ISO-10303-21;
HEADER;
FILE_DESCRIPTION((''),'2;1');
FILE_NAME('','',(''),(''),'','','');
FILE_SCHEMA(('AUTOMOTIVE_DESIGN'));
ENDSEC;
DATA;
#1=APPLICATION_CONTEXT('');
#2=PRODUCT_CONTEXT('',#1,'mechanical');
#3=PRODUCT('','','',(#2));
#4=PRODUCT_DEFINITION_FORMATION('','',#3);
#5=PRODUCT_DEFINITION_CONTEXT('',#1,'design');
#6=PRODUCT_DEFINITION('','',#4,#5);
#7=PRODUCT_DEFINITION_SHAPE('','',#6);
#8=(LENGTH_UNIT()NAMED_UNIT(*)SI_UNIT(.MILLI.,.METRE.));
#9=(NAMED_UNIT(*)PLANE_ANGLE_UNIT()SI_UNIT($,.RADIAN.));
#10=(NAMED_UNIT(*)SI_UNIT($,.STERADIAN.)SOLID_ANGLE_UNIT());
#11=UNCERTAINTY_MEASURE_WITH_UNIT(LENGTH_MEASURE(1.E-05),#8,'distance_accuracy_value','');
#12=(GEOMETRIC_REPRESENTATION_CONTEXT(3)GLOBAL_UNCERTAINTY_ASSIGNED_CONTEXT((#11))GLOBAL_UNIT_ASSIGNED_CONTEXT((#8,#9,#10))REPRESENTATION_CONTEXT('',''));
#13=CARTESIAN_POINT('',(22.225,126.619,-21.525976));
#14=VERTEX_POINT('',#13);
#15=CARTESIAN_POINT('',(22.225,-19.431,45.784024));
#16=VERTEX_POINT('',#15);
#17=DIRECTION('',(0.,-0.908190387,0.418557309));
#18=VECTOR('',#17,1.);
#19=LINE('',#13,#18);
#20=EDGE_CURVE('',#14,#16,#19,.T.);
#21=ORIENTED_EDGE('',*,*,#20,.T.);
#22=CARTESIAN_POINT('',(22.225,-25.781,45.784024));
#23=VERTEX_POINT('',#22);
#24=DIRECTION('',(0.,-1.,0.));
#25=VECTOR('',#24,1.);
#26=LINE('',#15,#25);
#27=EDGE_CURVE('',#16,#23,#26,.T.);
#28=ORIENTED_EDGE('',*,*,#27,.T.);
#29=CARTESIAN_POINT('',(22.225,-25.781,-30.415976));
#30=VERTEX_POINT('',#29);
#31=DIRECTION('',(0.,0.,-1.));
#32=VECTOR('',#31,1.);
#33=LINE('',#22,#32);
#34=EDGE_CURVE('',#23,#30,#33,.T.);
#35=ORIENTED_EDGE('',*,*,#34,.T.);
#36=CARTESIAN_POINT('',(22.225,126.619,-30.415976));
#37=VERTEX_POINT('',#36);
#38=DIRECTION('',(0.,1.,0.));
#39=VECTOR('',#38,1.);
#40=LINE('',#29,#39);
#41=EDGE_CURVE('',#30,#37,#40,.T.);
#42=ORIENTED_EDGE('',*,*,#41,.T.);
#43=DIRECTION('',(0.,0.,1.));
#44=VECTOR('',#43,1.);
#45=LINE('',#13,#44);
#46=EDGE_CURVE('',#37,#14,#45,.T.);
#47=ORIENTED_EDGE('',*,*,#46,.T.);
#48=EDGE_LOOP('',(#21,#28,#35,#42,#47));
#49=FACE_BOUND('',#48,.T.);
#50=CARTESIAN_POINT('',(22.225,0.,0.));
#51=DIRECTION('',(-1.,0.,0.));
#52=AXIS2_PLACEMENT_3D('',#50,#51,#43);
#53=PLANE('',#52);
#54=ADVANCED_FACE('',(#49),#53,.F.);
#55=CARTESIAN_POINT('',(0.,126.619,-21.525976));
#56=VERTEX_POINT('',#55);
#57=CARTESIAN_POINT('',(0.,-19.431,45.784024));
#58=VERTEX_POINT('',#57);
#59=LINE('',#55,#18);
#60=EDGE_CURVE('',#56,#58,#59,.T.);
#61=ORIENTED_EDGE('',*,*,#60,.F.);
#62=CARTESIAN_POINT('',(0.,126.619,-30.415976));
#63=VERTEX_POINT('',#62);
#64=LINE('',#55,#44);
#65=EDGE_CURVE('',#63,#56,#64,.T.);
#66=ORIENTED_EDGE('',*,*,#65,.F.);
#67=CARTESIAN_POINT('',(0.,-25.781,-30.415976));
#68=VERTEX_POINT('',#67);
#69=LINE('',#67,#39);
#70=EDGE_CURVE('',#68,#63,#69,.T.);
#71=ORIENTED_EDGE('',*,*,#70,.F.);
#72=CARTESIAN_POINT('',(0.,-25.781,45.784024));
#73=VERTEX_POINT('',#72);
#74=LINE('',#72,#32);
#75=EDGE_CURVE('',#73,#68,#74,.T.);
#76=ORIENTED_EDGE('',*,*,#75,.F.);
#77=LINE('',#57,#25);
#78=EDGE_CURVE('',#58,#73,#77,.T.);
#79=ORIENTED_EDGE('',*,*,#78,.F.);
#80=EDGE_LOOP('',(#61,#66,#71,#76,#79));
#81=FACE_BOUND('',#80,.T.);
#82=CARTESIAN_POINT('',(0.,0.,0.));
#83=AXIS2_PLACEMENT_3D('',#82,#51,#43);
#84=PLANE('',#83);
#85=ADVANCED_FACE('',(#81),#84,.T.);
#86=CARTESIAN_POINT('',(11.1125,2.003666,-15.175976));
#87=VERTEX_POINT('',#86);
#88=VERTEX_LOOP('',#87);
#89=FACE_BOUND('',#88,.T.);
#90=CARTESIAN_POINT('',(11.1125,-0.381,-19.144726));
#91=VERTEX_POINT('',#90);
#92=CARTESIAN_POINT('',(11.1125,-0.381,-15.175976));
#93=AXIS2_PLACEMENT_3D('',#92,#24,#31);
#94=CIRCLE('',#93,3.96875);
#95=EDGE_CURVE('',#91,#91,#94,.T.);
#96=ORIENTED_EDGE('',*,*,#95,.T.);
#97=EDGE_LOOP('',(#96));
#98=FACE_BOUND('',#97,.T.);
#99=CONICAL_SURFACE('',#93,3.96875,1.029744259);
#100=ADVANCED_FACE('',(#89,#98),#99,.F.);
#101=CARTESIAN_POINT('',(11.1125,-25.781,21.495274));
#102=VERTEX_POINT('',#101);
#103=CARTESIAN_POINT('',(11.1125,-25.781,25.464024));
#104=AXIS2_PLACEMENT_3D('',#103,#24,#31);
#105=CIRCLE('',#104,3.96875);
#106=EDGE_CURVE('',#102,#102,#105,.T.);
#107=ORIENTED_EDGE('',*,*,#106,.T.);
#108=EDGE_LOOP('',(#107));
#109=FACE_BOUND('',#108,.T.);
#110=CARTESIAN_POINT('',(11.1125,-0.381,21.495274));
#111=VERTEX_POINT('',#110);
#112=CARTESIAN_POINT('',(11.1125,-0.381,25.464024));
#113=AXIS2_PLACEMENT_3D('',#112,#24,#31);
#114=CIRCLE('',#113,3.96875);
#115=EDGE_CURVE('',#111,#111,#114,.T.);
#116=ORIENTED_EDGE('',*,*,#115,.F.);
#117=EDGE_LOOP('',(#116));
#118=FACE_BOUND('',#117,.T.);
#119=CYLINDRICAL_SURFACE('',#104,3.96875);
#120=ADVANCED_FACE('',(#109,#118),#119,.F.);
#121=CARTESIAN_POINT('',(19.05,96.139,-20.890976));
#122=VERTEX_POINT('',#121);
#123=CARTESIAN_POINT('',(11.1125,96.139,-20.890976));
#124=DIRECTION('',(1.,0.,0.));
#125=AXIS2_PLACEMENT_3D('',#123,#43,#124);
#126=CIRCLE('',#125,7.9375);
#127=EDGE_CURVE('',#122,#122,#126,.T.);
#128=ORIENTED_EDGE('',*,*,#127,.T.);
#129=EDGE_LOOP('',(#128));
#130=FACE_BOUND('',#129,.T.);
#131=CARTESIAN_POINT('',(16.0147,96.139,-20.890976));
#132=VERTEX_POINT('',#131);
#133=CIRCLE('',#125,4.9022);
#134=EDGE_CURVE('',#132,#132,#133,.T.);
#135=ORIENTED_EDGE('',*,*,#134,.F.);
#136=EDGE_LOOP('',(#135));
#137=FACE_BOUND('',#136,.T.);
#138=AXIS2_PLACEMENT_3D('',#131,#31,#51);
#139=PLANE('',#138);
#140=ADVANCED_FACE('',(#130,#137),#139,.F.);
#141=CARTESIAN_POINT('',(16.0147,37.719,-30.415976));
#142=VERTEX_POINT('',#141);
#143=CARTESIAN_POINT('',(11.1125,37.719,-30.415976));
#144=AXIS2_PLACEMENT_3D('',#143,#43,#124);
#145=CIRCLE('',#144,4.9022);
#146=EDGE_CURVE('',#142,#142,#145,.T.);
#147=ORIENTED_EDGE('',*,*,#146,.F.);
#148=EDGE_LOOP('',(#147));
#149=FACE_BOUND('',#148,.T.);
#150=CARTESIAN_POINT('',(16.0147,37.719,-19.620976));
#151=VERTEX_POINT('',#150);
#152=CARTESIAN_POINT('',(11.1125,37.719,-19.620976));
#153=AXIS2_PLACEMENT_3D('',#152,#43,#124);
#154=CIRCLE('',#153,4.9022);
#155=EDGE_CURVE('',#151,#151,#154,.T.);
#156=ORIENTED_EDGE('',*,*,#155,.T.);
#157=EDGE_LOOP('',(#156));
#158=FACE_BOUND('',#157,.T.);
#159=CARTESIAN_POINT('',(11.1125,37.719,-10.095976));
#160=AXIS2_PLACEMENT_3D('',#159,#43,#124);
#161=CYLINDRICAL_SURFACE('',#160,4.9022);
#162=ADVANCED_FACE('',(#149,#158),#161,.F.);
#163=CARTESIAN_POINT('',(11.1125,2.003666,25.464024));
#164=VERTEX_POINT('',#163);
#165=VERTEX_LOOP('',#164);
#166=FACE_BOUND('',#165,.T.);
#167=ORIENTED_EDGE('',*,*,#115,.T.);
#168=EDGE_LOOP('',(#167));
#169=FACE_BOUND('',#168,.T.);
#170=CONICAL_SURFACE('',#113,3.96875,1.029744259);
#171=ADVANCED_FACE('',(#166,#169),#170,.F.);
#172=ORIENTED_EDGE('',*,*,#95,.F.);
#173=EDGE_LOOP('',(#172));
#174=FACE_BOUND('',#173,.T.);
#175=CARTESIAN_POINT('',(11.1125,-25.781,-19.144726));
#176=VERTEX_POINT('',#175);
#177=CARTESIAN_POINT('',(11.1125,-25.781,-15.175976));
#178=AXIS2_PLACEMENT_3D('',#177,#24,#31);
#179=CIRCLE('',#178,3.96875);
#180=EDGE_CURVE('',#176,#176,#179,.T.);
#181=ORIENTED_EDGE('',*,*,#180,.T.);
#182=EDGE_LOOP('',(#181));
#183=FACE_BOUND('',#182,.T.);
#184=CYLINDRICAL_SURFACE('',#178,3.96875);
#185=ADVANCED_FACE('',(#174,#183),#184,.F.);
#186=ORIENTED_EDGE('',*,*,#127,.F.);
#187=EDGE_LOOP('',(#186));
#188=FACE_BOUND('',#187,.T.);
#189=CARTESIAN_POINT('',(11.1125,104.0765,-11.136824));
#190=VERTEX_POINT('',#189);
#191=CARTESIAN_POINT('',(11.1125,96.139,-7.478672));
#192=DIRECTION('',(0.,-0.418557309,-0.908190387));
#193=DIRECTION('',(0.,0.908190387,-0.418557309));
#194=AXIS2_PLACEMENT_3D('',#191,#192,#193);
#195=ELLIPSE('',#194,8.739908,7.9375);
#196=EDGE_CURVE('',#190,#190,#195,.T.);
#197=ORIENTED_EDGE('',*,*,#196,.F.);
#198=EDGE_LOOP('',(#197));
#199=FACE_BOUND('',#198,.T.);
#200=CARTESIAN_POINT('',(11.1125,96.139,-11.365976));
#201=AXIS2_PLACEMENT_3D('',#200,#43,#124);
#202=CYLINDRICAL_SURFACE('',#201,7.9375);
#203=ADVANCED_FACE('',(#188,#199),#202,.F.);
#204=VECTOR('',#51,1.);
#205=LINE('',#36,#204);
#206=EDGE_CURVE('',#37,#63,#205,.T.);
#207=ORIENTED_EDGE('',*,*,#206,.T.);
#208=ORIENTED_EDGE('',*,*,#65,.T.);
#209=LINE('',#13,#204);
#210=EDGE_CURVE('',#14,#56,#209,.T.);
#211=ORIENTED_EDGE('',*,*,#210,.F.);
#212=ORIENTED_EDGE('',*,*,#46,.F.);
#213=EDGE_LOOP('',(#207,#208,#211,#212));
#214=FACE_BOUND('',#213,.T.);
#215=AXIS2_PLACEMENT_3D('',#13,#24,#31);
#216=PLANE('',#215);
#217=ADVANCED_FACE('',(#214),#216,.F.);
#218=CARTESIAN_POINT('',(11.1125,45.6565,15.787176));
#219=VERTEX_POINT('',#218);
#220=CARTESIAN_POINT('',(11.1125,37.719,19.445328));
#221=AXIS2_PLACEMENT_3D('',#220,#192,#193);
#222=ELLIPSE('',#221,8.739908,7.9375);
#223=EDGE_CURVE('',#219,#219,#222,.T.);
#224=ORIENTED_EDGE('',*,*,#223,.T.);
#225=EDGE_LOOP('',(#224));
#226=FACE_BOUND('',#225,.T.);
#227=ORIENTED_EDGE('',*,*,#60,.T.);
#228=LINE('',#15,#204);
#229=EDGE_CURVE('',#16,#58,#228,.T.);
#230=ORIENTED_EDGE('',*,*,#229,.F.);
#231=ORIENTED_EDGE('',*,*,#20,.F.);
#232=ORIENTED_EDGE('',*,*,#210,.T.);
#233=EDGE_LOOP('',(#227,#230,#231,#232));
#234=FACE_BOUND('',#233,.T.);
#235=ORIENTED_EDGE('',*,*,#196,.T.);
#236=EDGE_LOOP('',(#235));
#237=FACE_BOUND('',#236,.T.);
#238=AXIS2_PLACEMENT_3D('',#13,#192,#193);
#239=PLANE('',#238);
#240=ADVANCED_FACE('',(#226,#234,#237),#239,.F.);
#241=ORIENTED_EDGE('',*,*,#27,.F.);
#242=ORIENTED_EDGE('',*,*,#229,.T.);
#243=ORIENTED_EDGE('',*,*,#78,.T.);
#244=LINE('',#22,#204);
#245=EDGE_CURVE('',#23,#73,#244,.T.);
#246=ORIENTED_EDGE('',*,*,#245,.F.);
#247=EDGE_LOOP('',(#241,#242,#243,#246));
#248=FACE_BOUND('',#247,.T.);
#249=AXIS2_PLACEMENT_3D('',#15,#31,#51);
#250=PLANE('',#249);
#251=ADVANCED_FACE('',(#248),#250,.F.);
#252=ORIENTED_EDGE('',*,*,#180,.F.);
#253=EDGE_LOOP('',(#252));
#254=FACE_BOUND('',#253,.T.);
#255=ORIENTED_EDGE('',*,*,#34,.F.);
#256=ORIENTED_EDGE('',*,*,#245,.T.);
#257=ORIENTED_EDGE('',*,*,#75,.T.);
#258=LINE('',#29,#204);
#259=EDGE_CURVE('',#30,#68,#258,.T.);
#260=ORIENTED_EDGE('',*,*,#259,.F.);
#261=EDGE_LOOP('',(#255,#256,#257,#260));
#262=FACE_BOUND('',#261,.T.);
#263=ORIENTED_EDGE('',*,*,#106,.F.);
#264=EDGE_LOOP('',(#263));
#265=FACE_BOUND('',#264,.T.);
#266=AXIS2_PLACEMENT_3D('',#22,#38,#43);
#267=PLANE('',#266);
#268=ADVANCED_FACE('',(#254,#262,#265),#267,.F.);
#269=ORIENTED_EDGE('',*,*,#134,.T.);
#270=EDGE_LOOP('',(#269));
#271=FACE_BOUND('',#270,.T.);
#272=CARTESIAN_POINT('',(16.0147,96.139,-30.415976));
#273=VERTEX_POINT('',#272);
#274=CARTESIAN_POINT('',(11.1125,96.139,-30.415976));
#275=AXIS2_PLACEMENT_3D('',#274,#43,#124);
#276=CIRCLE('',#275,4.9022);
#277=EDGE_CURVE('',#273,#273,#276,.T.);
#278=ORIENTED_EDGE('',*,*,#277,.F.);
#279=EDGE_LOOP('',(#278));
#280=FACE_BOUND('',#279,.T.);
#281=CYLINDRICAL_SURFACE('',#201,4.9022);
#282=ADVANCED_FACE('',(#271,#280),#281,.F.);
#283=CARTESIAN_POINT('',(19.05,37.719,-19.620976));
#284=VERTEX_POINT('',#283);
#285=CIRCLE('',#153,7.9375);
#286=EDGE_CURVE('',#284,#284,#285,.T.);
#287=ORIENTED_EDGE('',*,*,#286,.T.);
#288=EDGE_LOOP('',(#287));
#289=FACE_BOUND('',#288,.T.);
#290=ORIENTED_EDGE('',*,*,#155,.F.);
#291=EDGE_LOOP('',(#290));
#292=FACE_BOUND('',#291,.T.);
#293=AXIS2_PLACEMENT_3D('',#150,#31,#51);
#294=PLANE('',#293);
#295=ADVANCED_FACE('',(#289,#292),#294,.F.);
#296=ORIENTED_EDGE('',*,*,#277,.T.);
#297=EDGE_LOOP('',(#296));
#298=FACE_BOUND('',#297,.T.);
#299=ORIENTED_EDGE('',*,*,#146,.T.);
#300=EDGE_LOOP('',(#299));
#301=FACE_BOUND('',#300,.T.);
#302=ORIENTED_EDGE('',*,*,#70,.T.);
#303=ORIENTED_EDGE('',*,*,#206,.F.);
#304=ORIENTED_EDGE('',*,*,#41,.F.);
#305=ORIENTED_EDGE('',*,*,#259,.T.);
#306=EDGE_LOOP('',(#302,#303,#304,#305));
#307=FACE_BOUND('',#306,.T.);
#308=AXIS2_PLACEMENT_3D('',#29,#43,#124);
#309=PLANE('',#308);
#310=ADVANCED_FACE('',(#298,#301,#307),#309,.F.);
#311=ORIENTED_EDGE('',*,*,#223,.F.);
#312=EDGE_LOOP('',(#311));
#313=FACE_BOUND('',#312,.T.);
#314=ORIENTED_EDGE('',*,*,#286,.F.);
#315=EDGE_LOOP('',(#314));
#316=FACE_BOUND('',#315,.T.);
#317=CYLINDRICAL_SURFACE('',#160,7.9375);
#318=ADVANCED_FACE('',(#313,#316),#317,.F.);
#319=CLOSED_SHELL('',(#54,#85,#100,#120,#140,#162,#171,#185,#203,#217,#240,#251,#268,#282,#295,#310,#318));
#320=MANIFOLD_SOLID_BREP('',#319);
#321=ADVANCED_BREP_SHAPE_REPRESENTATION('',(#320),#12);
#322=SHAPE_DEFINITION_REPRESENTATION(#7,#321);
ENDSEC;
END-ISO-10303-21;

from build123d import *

# Parameters (mm, degrees)
BOSS_EXTRUDE2_DEPTH         = 22.225
CUT_EXTRUDE2_REACH          = 59.15
SKETCH7_R                   = 7.9375
F_3_8_16_TAPPED_HOLE1_D     = 7.9375
F_3_8_16_TAPPED_HOLE1_DEPTH = 25.4
F_3_8_16_TAPPED_HOLE1_TIP   = 2.384665582


with BuildPart() as part:
    # Sketch1 → Boss-Extrude2 (new body)
    with BuildSketch(Plane(origin=(0, 0, 0), x_dir=(0, 0, -1), z_dir=(1, 0, 0))):
        Polygon((21.525976172, 126.619), (-45.784023828, -19.431), (-45.784023828, -25.781), (30.415976172, -25.781), (30.415976172, 126.619), align=None)
    extrude(amount=BOSS_EXTRUDE2_DEPTH)

    # Sketch4 → CBORE for 3/8 Socket Head Cap Screw1 (revolve, cut)
    with BuildSketch(Plane(origin=(11.1125, 96.139, -11.365976172), x_dir=(0, -1, 0), z_dir=(1, 0, 0))):
        Polygon((0, 0), (0, 19.05), (4.9022, 19.05), (4.9022, 9.525), (7.9375, 9.525), (7.9375, 0), align=None)
    revolve(axis=Axis((11.1125, 96.139, -5.015976172), (0, 0, -1)), mode=Mode.SUBTRACT)

    # Sketch6 → CBORE for 3/8 Socket Head Cap Screw2 (revolve, cut)
    with BuildSketch(Plane(origin=(11.1125, 37.719, -10.095976172), x_dir=(0, -1, 0), z_dir=(1, 0, 0))):
        Polygon((0, 0), (0, 20.32), (4.9022, 20.32), (4.9022, 9.525), (7.9375, 9.525), (7.9375, 0), align=None)
    revolve(axis=Axis((11.1125, 37.719, -3.745976172), (0, 0, -1)), mode=Mode.SUBTRACT)

    # Sketch7 → Cut-Extrude2 (cut, up to next)
    with BuildSketch(Plane(origin=(0, 96.139, -11.365976172), x_dir=(1, 0, 0), z_dir=(0, 0, 1)), mode=Mode.PRIVATE) as cut_extrude2_sk1:
        with Locations((11.1125, -58.42)):
            Circle(SKETCH7_R)
    cut_extrude2_tool1 = extrude(cut_extrude2_sk1.sketch, amount=CUT_EXTRUDE2_REACH, mode=Mode.PRIVATE) & part.part
    add(cut_extrude2_tool1.solids().sort_by_distance((11.1125, 37.719, -11.365976))[0], mode=Mode.SUBTRACT)
    # Sketch7 → Cut-Extrude2 (cut, up to next)
    with BuildSketch(Plane(origin=(0, 96.139, -11.365976172), x_dir=(1, 0, 0), z_dir=(0, 0, 1)), mode=Mode.PRIVATE) as cut_extrude2_sk2:
        with Locations((11.1125, 0)):
            Circle(SKETCH7_R)
    cut_extrude2_tool2 = extrude(cut_extrude2_sk2.sketch, amount=CUT_EXTRUDE2_REACH, mode=Mode.PRIVATE) & part.part
    add(cut_extrude2_tool2.solids().sort_by_distance((11.1125, 96.139, -11.365976))[0], mode=Mode.SUBTRACT)

    # 3/8-16 Tapped Hole1
    with Locations(Plane(origin=(11.1125, -25.781, -15.175976172), x_dir=(0, 0, -1), z_dir=(0, -1, 0))):
        with Locations((0, 0), (-40.64, 0)):
            Hole(F_3_8_16_TAPPED_HOLE1_D / 2, depth=F_3_8_16_TAPPED_HOLE1_DEPTH)
            with Locations((0, 0, -(F_3_8_16_TAPPED_HOLE1_DEPTH + F_3_8_16_TAPPED_HOLE1_TIP / 2))):  # 118° drill point
                Cone(0, F_3_8_16_TAPPED_HOLE1_D / 2, F_3_8_16_TAPPED_HOLE1_TIP, mode=Mode.SUBTRACT)


solid = part.part
